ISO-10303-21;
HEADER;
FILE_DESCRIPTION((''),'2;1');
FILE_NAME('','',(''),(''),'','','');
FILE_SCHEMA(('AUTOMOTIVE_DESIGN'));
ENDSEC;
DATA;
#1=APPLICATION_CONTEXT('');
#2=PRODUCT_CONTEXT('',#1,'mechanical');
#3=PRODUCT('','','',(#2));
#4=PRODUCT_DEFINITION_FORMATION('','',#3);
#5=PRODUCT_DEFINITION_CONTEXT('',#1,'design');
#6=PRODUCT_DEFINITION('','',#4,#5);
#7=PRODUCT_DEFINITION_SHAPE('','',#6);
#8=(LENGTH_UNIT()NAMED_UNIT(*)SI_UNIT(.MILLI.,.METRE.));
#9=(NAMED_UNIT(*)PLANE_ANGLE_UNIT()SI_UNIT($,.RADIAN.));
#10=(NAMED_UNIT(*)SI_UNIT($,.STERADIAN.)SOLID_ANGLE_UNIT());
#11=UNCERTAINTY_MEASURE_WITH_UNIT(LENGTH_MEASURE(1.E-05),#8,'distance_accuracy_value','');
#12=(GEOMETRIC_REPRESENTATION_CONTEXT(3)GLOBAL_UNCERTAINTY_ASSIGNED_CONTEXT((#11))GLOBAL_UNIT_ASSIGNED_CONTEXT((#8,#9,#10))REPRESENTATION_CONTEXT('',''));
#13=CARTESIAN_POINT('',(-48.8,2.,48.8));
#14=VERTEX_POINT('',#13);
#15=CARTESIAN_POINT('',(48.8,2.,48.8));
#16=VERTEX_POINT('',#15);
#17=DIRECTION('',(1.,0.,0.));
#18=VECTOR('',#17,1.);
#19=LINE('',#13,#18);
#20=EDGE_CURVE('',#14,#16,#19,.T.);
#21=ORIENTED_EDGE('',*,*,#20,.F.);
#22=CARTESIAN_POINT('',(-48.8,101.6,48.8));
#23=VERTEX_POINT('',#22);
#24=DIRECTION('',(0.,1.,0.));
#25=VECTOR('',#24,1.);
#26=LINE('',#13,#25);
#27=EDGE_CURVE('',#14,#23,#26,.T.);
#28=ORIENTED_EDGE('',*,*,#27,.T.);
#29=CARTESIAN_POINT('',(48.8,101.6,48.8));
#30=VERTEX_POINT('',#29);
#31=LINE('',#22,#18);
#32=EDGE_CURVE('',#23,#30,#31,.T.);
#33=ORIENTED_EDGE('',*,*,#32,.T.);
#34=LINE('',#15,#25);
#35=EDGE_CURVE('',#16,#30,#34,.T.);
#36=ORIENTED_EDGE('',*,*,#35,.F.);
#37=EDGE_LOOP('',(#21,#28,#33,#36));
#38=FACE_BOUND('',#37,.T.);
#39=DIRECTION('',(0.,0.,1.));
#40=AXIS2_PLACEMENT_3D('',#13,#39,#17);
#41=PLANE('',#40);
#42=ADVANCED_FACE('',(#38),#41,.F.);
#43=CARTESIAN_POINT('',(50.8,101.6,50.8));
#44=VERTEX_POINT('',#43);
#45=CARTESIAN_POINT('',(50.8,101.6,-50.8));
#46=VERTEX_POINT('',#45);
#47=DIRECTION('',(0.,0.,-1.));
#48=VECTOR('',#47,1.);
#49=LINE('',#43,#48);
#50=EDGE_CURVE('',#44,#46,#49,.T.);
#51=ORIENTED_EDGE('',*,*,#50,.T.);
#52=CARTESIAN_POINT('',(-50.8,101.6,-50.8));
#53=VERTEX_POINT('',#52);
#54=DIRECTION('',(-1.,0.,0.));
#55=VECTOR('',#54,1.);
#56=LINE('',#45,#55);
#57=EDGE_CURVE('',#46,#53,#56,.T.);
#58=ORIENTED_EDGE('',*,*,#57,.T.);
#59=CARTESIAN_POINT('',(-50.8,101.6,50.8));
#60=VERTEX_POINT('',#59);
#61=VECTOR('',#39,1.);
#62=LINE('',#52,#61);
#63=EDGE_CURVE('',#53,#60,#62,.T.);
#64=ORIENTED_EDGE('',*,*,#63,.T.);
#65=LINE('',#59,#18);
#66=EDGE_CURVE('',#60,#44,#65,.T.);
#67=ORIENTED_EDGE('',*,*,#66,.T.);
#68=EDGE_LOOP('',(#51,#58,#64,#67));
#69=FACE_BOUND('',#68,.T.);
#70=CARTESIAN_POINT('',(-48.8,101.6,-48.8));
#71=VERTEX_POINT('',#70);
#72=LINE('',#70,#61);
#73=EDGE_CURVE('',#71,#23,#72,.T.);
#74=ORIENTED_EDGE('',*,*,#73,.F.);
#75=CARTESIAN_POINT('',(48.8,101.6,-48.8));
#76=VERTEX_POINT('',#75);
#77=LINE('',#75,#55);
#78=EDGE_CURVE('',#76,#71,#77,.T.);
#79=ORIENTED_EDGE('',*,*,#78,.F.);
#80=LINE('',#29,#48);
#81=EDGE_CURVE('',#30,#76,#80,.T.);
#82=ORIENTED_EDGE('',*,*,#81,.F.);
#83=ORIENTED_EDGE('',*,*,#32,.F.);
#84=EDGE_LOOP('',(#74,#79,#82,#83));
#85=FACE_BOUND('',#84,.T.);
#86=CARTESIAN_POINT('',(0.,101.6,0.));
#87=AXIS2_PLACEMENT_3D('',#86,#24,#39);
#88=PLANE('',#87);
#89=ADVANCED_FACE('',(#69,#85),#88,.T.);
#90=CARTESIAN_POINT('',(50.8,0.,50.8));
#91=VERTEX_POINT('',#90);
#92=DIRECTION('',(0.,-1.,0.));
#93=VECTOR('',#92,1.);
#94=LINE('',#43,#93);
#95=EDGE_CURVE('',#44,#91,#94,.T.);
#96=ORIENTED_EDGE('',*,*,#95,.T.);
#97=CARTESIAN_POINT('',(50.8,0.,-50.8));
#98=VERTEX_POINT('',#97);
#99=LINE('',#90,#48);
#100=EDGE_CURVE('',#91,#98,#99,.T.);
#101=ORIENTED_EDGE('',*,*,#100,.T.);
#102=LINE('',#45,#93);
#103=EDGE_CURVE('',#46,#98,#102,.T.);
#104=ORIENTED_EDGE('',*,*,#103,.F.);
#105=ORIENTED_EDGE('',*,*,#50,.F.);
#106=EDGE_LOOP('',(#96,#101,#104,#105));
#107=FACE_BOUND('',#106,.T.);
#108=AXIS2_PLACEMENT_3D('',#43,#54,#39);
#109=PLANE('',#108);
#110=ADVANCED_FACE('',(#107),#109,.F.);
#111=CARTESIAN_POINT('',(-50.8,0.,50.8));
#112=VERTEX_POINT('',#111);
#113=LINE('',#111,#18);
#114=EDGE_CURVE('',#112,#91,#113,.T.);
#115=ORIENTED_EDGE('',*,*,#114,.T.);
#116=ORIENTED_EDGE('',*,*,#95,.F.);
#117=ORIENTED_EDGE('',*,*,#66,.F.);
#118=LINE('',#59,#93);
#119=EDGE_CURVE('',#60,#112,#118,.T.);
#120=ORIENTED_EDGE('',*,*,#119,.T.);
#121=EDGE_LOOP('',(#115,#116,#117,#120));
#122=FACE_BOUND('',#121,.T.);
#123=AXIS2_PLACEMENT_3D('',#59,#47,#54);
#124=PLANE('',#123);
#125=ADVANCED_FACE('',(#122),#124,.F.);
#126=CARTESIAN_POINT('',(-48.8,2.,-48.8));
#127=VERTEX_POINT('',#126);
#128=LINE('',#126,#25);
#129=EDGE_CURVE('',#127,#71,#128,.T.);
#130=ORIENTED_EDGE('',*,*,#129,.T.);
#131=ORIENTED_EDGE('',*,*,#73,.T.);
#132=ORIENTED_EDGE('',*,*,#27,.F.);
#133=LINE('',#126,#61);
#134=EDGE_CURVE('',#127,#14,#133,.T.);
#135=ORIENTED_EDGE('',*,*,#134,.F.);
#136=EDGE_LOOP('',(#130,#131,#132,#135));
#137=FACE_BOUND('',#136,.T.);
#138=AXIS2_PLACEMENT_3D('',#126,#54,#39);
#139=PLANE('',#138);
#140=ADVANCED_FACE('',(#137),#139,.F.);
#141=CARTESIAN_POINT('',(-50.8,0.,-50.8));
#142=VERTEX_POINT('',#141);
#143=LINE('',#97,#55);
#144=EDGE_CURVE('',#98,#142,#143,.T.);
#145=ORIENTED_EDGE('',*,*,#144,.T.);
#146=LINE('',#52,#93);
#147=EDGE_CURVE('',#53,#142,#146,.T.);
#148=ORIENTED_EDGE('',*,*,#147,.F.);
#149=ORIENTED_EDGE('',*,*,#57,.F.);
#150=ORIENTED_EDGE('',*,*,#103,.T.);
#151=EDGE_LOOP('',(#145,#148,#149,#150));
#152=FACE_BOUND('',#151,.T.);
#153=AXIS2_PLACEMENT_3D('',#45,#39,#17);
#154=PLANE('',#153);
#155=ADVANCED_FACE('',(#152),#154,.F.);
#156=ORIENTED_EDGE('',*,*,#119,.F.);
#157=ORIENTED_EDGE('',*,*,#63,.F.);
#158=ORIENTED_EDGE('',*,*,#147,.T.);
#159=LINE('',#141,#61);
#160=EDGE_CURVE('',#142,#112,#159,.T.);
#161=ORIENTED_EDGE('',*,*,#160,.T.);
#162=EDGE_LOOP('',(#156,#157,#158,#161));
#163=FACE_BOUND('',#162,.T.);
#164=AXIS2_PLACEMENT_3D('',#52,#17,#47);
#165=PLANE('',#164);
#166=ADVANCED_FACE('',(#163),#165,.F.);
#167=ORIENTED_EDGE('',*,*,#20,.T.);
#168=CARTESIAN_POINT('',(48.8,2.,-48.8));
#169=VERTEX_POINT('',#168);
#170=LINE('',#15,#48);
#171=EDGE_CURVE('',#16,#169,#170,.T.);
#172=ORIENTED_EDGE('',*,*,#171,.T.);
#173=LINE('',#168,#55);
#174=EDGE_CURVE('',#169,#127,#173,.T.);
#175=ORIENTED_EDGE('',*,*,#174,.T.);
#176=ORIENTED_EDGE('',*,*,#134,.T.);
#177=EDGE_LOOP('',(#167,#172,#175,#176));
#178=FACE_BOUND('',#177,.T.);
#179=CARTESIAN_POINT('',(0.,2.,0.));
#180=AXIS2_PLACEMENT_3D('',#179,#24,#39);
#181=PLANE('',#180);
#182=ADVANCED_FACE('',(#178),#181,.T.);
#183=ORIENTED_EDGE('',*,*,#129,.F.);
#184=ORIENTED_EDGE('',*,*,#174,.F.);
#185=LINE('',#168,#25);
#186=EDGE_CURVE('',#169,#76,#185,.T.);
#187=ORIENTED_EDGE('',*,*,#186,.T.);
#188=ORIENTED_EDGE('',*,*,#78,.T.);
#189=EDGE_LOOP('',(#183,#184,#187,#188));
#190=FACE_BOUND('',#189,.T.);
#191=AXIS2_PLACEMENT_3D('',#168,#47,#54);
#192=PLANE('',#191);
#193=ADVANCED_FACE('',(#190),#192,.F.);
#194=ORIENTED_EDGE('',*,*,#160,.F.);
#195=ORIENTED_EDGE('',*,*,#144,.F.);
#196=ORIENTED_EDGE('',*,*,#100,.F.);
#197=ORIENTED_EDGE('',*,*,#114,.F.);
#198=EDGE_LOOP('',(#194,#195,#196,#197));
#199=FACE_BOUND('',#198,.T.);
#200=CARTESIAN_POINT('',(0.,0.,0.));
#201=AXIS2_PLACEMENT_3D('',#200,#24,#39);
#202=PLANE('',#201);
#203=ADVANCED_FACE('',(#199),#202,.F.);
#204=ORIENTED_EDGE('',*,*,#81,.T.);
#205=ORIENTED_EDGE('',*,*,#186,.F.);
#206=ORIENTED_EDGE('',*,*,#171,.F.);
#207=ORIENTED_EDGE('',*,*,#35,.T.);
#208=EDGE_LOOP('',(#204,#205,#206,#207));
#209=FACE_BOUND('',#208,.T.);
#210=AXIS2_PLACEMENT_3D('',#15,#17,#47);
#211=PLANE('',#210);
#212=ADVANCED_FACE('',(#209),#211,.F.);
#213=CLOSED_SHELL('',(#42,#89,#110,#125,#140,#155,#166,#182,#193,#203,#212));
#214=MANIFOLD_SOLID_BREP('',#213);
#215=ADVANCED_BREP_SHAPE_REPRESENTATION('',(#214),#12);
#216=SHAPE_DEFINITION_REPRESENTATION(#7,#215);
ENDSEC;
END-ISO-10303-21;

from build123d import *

# Parameters (mm, degrees)
SKETCH1_W           = 101.6
SKETCH1_H           = 101.6
BOSS_EXTRUDE1_DEPTH = 101.6
SKETCH2_W           = 97.6
SKETCH2_H           = 97.6
CUT_EXTRUDE1_DEPTH  = 99.6


with BuildPart() as part:
    # Sketch1 → Boss-Extrude1 (new body)
    with BuildSketch(Plane(origin=(0, 0, 0), x_dir=(1, 0, 0), z_dir=(0, 1, 0))):
        Rectangle(SKETCH1_W, SKETCH1_H)
    extrude(amount=BOSS_EXTRUDE1_DEPTH)

    # Sketch2 → Cut-Extrude1 (cut)
    with BuildSketch(Plane(origin=(0, 101.6, 0), x_dir=(1, 0, 0), z_dir=(0, 1, 0))):
        Rectangle(SKETCH2_W, SKETCH2_H)
    extrude(amount=-CUT_EXTRUDE1_DEPTH, mode=Mode.SUBTRACT)


solid = part.part
